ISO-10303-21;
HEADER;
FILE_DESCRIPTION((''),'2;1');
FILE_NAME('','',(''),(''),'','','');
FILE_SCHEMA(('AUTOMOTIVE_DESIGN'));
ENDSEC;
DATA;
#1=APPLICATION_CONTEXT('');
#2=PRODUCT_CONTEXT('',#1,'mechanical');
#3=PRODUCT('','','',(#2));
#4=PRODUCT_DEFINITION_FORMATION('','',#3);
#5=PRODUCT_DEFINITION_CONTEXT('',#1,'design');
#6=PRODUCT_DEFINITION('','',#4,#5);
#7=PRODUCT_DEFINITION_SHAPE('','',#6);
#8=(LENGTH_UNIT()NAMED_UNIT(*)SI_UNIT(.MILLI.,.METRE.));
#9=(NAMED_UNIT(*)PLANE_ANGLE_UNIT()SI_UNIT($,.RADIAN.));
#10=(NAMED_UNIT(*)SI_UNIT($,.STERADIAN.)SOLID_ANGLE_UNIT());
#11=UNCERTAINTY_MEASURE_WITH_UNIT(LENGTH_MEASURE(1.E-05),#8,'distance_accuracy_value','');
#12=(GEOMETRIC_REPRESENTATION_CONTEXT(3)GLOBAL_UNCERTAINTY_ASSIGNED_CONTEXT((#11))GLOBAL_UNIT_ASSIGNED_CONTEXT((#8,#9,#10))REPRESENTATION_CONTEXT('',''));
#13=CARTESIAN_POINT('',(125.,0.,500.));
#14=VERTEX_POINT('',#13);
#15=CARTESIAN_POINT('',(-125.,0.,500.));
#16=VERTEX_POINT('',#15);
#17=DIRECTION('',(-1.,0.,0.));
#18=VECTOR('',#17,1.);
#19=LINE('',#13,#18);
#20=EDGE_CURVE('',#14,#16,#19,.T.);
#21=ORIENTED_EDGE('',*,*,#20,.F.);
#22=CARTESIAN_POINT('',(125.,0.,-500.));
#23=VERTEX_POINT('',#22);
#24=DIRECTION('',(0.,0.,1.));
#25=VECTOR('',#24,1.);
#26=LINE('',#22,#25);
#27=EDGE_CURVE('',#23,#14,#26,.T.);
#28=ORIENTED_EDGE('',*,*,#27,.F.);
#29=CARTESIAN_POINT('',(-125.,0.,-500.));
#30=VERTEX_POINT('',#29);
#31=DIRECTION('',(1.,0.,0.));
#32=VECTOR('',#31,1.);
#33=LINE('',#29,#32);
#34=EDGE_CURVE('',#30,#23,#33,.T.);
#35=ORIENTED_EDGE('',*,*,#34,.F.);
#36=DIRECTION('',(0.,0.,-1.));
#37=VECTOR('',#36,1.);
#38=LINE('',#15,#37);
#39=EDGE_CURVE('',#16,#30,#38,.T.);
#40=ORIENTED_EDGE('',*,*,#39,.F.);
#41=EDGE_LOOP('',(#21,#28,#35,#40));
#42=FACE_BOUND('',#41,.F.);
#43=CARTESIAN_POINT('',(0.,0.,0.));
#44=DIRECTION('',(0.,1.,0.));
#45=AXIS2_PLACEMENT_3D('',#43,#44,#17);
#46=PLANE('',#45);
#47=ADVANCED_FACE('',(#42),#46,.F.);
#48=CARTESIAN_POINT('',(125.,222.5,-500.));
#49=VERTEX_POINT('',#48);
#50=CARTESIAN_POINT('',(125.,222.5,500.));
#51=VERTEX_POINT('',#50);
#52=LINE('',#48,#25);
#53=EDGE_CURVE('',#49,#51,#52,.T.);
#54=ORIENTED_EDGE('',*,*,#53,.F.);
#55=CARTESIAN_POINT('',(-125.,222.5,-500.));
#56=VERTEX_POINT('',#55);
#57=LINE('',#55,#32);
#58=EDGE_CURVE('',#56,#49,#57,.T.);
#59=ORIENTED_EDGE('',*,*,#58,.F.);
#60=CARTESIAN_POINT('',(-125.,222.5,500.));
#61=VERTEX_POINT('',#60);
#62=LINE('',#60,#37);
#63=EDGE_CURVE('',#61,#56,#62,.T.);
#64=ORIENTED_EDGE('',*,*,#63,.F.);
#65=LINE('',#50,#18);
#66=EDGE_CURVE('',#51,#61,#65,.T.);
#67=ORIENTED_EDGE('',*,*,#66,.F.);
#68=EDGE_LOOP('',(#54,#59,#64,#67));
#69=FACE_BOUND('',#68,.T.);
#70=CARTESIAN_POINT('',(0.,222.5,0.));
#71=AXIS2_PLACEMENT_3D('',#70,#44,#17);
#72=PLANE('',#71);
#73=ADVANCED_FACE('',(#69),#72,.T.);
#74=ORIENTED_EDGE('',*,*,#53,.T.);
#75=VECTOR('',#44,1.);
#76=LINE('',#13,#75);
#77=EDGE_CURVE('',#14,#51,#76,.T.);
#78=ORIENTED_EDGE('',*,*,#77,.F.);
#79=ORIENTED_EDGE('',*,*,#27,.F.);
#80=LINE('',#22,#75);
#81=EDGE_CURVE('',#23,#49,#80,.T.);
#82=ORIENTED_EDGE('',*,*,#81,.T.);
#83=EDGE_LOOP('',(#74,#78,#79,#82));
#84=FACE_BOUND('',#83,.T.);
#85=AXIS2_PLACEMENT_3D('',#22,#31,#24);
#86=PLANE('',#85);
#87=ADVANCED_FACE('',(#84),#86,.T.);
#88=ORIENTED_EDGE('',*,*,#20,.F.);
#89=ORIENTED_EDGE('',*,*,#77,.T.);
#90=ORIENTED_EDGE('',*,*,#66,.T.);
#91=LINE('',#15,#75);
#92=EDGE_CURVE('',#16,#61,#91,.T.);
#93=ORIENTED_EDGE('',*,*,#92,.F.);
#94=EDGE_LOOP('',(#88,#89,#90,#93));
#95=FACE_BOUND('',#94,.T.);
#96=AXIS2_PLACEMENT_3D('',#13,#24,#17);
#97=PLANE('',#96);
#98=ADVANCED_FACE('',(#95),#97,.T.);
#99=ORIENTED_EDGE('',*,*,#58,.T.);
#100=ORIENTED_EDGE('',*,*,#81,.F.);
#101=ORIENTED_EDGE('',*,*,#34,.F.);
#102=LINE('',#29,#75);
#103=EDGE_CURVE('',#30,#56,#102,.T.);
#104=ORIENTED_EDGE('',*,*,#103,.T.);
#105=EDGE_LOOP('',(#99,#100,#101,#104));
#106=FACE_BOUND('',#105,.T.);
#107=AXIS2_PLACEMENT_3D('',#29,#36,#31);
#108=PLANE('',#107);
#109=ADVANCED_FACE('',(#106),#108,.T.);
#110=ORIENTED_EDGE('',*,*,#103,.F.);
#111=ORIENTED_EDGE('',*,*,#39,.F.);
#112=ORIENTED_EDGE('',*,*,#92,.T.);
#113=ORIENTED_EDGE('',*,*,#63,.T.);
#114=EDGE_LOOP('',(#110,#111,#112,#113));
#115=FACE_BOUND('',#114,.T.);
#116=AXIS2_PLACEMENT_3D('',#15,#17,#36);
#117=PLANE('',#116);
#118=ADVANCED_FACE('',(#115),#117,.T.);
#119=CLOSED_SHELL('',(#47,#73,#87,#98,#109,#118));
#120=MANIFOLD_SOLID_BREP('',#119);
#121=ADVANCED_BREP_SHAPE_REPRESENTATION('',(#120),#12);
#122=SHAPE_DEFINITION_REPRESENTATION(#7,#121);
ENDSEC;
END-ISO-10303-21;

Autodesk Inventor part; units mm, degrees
ref_plane "YZ Plane" through (0, 0, 0) normal (1, 0, 0) x (0, 1, 0)
ref_plane "XZ Plane" through (0, 0, 0) normal (0, 1, 0) x (-1, 0, 0)
ref_plane "XY Plane" through (0, 0, 0) normal (0, 0, 1) x (1, 0, 0)
sketch "Sketch1" plane through (0, 0, 0) normal (0, 1, 0) x (-1, 0, 0)
  line L0 (-125, 500) -> (125, 500)
  line L1 (125, 500) -> (125, -500)
  line L2 (125, -500) -> (-125, -500)
  line L3 (-125, -500) -> (-125, 500)
  line L4 (-125, 500) -> (125, -500) construction
  line L5 (125, 500) -> (-125, -500) construction
  point P0 (0, 0)
  dimension "d0" = 250
  dimension "d1" = 1000
extrude "Extrusion1" add sketch "Sketch1" along normal blind 222.5
properties part number "Base"
